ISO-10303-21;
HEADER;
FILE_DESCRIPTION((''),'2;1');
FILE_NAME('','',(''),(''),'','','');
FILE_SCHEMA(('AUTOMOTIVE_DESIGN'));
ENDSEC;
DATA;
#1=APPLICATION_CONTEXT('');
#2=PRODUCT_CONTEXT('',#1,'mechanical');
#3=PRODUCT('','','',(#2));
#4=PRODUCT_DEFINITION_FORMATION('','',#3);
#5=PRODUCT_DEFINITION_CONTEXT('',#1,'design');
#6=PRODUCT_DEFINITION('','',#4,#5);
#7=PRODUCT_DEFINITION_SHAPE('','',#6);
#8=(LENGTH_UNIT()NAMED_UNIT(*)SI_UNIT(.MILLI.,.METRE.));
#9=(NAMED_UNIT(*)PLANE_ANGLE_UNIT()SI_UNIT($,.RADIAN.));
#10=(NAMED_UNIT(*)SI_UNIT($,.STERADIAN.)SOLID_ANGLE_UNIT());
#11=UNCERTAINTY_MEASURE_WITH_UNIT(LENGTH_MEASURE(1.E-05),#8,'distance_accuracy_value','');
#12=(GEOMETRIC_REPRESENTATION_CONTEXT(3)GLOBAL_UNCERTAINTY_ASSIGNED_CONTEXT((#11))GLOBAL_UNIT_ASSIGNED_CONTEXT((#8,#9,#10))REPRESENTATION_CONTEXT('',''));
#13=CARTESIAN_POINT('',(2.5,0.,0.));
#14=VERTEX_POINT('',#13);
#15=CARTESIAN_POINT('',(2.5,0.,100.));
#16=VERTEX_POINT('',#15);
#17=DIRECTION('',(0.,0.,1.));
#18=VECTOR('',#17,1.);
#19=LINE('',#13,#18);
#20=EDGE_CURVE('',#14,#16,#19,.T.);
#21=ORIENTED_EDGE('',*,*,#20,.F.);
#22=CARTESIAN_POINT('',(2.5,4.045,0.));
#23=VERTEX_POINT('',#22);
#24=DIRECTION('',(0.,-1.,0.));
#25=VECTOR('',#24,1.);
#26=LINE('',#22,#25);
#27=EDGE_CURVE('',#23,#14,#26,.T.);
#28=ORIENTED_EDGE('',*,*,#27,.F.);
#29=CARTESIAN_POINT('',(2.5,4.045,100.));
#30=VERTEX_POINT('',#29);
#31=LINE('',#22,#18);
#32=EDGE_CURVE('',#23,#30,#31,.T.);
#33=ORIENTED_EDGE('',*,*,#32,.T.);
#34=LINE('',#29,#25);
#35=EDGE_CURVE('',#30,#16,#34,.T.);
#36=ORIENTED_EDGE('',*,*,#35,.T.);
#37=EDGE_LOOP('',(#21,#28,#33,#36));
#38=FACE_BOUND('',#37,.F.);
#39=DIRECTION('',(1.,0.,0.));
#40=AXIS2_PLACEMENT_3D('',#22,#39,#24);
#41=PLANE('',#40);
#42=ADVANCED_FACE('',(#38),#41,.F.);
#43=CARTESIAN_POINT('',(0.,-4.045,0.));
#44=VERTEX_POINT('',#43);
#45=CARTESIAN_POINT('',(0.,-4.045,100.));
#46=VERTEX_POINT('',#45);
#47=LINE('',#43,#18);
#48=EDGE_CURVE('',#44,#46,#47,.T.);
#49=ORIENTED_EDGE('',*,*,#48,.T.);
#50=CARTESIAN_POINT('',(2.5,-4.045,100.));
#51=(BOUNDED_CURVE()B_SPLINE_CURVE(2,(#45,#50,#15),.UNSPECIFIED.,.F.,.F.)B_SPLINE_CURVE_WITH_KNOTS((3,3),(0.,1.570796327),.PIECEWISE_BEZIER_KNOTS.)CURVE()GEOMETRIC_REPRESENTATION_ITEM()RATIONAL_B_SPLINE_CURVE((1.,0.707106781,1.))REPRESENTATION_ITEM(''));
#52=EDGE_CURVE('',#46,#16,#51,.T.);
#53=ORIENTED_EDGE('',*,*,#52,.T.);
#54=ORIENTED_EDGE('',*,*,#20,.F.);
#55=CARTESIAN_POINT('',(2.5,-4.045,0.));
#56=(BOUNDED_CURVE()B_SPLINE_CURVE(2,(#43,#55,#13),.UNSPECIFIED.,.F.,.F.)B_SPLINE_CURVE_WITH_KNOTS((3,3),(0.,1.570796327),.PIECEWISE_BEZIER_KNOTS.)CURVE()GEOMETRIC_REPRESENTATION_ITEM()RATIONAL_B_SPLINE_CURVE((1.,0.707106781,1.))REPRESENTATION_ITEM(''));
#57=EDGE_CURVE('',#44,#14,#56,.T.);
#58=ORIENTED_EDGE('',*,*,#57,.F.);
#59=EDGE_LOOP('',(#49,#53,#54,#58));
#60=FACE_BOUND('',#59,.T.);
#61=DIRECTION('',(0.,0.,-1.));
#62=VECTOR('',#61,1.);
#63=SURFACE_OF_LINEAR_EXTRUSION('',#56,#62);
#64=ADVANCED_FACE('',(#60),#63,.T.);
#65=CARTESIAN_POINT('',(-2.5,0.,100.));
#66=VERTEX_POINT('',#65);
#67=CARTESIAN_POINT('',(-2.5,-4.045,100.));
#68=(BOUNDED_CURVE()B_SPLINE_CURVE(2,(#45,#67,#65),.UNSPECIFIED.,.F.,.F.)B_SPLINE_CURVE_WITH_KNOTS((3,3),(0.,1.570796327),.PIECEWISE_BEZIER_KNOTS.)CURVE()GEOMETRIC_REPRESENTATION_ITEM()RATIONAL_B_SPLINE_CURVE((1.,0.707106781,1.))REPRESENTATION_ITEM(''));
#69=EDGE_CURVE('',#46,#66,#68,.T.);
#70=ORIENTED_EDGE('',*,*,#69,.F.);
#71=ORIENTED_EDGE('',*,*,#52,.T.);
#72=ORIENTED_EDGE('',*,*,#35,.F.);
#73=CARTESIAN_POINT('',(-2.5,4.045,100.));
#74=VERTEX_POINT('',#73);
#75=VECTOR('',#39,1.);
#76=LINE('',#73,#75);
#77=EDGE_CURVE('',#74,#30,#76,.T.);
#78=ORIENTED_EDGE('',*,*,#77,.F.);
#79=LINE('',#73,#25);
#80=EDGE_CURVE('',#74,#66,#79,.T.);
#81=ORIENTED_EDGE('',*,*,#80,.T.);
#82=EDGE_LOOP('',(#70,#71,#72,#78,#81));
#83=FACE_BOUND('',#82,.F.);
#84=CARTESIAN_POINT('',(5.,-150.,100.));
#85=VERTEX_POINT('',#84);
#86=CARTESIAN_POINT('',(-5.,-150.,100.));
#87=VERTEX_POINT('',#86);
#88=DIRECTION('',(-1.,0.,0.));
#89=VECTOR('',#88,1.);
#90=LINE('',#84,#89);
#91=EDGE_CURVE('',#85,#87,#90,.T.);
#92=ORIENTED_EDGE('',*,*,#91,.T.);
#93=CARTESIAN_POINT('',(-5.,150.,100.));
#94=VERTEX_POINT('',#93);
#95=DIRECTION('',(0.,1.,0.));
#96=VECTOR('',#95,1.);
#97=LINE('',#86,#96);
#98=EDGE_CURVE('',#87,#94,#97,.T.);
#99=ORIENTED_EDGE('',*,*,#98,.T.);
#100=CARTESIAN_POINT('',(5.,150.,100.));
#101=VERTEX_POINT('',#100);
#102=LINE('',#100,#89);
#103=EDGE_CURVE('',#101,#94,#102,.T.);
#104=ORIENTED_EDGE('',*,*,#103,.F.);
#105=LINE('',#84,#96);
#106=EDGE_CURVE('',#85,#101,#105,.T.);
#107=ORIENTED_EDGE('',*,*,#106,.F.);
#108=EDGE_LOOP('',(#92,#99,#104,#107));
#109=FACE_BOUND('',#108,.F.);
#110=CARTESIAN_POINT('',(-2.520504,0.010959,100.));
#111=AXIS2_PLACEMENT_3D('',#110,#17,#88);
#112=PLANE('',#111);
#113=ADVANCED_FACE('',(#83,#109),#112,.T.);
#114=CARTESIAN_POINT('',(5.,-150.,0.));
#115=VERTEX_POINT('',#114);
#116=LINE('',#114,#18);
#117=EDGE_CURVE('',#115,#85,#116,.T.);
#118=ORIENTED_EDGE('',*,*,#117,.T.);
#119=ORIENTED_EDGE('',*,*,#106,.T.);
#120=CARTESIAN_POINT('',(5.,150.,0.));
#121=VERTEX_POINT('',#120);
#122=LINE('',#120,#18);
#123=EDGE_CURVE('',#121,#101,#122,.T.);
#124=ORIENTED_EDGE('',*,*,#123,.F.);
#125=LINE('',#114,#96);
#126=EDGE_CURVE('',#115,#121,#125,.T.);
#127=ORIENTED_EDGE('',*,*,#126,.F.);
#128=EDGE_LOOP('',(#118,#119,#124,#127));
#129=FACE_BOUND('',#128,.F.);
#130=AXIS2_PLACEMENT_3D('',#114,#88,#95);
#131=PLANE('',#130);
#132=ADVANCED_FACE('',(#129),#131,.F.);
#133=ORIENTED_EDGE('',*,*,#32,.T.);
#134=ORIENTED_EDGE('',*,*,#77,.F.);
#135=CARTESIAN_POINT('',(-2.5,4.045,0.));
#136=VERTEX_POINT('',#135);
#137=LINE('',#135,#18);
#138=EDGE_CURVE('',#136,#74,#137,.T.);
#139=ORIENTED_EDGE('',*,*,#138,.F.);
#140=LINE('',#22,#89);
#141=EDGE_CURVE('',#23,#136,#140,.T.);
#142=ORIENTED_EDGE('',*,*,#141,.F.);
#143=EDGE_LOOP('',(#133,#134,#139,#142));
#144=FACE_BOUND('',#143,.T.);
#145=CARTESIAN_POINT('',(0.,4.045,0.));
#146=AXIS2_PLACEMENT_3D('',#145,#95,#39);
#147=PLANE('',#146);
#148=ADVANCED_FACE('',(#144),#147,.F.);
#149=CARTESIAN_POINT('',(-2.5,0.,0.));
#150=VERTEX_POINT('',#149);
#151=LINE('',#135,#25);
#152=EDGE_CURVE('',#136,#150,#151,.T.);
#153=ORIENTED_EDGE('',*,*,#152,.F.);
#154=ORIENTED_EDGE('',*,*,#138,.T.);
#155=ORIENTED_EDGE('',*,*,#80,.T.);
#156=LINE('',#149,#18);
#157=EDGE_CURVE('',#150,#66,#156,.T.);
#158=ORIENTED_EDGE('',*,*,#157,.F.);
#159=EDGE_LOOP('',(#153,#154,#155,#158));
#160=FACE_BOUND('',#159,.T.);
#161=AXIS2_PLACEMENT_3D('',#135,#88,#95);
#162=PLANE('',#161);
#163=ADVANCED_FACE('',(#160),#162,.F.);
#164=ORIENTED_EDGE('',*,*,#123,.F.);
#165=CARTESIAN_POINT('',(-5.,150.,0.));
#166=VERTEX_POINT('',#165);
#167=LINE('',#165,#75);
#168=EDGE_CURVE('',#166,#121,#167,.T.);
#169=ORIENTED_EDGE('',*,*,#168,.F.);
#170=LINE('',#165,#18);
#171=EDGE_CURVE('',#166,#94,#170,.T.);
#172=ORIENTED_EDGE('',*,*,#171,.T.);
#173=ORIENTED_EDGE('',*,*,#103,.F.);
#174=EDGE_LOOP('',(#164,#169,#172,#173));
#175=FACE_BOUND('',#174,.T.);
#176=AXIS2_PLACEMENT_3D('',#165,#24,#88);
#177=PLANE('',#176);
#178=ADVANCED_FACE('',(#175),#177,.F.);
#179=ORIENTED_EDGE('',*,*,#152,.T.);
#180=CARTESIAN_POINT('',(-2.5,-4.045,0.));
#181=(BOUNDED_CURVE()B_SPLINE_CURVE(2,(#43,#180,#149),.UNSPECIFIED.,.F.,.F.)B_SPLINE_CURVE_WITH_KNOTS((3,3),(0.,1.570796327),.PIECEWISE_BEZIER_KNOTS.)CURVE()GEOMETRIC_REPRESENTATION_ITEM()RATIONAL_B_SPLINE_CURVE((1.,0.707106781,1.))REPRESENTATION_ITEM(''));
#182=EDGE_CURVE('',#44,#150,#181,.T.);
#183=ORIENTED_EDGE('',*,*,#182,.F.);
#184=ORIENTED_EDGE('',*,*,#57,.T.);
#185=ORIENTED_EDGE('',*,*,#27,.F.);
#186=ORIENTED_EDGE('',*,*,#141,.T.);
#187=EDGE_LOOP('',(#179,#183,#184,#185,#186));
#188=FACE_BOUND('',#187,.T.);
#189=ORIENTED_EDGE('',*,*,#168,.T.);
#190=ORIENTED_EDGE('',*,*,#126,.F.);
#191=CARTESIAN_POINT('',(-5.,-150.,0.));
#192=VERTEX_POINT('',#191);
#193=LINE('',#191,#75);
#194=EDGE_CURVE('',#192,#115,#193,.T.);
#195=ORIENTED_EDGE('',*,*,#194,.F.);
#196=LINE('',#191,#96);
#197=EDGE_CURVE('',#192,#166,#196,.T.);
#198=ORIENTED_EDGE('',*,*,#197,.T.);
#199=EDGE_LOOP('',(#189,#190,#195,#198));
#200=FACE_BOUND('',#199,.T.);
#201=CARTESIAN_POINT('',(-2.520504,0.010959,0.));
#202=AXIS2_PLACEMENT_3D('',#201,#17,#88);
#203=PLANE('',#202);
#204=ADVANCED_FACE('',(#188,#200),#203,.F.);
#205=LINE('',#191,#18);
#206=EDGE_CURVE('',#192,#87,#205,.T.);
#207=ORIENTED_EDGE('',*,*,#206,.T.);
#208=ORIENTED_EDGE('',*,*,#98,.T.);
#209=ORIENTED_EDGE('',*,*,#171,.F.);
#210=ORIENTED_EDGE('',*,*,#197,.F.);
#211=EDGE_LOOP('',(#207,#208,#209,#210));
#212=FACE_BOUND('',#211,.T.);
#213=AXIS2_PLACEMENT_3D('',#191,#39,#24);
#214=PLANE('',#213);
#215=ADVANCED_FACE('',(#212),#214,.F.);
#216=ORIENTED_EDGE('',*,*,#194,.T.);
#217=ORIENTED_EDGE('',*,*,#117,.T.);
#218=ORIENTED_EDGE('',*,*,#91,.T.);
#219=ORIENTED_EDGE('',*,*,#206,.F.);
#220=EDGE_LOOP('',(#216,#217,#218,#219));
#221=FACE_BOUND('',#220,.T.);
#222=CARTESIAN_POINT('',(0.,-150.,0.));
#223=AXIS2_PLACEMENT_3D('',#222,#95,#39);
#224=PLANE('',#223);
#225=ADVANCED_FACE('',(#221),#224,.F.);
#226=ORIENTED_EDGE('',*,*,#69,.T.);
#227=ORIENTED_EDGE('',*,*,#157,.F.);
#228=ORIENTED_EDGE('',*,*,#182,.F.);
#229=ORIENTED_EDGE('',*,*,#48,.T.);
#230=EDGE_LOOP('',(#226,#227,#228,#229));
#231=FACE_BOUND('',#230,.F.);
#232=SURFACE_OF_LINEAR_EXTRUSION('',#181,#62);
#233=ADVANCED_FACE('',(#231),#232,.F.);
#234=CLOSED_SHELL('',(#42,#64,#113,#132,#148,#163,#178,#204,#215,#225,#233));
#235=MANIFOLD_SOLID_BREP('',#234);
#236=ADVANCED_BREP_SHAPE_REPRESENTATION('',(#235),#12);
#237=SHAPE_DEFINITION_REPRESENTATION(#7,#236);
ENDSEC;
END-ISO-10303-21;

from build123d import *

# Parameters (mm, degrees)
F2_DEPTH = 100
F6_ANGLE = 180


with BuildPart() as f2:
    # F1 (on Top) → F2 (new body)
    with BuildSketch(Plane.XY):
        with BuildLine():
            Line((5, 4.045), (5, 150))
            Line((5, 150), (0, 150))
            Line((0, 150), (0, -150))
            Line((0, -150), (5, -150))
            Line((5, -150), (5, -4.045))
            Line((5, -4.045), (2.5, -4.045))
            Line((2.5, -4.045), (2.5, 0))
            add(Edge.make_bspline(
                [(5, 4.045), (2.5, 4.045), (2.5, 0)],
                knots=[0, 0, 0, 1.5707963268, 1.5707963268, 1.5707963268], degree=2, weights=[1, 0.7071067812, 1]))
        make_face()
    extrude(amount=F2_DEPTH)


with BuildPart() as f2_1:
    # F4: moved
    add(f2.part.moved(Location((-5, 0, 0))))

    # F5: F2 across plane


with BuildPart() as f2_2:
    add(f2_1.part)
    add(f2_1.part.mirror(Plane.YZ))


with BuildPart() as f2_3:
    # F6: moved
    add(f2_2.part.rotate(Axis((5, -150, 50), (0, 0, -1)), F6_ANGLE))


with BuildPart() as f2_4:
    # F9: moved
    add(f2_3.part.moved(Location((-10, 300, 0))))


solid = f2_4.part
